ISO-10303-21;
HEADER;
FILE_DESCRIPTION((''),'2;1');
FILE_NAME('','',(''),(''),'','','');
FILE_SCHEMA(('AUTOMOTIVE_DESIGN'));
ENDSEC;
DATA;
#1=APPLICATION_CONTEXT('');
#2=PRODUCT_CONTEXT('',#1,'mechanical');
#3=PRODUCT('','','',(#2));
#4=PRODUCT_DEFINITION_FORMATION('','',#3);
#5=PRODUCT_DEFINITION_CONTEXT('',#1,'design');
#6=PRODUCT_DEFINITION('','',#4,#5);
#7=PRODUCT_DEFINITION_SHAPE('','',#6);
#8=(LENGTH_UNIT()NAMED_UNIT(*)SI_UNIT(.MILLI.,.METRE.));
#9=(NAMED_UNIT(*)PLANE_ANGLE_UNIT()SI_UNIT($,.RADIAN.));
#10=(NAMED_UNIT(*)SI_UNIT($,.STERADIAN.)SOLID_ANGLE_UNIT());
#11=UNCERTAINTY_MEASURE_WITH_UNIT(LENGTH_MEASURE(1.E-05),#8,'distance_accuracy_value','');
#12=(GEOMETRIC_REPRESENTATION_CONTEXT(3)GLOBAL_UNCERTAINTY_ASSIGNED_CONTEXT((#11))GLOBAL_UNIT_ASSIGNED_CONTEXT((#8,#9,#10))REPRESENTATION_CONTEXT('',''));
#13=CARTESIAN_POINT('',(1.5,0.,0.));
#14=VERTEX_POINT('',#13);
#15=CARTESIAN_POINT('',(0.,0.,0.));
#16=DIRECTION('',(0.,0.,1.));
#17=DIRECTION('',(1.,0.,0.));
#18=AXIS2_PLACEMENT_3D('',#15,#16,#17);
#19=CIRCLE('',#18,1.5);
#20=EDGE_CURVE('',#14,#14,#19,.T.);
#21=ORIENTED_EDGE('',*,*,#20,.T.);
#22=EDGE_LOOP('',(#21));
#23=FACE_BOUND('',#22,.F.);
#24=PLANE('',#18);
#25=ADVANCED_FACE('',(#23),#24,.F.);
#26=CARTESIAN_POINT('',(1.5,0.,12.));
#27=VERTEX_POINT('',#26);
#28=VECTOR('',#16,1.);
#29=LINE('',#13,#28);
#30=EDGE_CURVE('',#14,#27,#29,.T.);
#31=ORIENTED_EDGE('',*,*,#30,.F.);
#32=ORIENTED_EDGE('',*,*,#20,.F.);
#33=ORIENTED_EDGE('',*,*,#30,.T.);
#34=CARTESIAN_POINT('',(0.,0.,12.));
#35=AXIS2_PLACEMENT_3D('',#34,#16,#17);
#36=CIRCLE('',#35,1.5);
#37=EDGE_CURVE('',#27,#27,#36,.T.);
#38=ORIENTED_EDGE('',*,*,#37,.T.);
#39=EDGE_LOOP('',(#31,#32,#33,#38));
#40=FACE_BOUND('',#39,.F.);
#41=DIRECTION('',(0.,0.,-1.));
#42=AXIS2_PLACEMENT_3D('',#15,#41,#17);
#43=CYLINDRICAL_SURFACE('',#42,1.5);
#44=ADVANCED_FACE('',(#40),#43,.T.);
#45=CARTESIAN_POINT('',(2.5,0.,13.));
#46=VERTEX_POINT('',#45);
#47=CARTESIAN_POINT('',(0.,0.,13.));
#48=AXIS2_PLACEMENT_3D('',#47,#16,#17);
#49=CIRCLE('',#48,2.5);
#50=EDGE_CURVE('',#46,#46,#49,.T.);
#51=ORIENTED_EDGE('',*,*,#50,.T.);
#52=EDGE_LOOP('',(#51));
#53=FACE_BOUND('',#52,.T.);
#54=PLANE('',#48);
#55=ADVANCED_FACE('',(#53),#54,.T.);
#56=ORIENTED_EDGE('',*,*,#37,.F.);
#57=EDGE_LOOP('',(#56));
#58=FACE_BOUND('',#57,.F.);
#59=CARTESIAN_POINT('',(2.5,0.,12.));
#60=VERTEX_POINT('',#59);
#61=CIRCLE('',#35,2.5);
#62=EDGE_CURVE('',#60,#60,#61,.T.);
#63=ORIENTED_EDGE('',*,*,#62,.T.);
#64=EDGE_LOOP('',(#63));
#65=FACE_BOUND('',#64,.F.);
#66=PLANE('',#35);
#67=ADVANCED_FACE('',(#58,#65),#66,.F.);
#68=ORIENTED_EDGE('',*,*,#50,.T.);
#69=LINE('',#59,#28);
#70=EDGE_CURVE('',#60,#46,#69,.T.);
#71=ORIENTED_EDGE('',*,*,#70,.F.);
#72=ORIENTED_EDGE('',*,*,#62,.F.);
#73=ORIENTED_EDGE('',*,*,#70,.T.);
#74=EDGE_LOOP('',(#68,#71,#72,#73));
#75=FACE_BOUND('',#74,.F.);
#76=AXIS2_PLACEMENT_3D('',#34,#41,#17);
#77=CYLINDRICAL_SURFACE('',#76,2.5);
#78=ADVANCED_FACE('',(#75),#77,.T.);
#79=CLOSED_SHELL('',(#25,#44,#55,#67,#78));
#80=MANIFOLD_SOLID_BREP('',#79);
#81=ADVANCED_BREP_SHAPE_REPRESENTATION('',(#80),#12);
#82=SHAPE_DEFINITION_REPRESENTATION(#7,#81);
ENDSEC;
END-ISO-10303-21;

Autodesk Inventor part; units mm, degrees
ref_plane "YZ Plane" through (0, 0, 0) normal (1, 0, 0) x (0, 1, 0)
ref_plane "XZ Plane" through (0, 0, 0) normal (0, 1, 0) x (-1, 0, 0)
ref_plane "XY Plane" through (0, 0, 0) normal (0, 0, 1) x (1, 0, 0)
sketch "Sketch1" plane through (0, 0, 0) normal (0, 0, 1) x (1, 0, 0)
  circle A0 centre (0, 0) radius 1.5
  dimension "d0" = 3
extrude "Extrusion1" add sketch "Sketch1" along normal blind 12
sketch "Sketch2" plane through (0, 0, 12) normal (0, 0, 1) x (1, 0, 0)
  circle A0 centre (0, 0) radius 2.5
  dimension "d3" = 5
extrude "Extrusion2" add sketch "Sketch2" along normal blind 1
properties part number "KolekNaKolo"
